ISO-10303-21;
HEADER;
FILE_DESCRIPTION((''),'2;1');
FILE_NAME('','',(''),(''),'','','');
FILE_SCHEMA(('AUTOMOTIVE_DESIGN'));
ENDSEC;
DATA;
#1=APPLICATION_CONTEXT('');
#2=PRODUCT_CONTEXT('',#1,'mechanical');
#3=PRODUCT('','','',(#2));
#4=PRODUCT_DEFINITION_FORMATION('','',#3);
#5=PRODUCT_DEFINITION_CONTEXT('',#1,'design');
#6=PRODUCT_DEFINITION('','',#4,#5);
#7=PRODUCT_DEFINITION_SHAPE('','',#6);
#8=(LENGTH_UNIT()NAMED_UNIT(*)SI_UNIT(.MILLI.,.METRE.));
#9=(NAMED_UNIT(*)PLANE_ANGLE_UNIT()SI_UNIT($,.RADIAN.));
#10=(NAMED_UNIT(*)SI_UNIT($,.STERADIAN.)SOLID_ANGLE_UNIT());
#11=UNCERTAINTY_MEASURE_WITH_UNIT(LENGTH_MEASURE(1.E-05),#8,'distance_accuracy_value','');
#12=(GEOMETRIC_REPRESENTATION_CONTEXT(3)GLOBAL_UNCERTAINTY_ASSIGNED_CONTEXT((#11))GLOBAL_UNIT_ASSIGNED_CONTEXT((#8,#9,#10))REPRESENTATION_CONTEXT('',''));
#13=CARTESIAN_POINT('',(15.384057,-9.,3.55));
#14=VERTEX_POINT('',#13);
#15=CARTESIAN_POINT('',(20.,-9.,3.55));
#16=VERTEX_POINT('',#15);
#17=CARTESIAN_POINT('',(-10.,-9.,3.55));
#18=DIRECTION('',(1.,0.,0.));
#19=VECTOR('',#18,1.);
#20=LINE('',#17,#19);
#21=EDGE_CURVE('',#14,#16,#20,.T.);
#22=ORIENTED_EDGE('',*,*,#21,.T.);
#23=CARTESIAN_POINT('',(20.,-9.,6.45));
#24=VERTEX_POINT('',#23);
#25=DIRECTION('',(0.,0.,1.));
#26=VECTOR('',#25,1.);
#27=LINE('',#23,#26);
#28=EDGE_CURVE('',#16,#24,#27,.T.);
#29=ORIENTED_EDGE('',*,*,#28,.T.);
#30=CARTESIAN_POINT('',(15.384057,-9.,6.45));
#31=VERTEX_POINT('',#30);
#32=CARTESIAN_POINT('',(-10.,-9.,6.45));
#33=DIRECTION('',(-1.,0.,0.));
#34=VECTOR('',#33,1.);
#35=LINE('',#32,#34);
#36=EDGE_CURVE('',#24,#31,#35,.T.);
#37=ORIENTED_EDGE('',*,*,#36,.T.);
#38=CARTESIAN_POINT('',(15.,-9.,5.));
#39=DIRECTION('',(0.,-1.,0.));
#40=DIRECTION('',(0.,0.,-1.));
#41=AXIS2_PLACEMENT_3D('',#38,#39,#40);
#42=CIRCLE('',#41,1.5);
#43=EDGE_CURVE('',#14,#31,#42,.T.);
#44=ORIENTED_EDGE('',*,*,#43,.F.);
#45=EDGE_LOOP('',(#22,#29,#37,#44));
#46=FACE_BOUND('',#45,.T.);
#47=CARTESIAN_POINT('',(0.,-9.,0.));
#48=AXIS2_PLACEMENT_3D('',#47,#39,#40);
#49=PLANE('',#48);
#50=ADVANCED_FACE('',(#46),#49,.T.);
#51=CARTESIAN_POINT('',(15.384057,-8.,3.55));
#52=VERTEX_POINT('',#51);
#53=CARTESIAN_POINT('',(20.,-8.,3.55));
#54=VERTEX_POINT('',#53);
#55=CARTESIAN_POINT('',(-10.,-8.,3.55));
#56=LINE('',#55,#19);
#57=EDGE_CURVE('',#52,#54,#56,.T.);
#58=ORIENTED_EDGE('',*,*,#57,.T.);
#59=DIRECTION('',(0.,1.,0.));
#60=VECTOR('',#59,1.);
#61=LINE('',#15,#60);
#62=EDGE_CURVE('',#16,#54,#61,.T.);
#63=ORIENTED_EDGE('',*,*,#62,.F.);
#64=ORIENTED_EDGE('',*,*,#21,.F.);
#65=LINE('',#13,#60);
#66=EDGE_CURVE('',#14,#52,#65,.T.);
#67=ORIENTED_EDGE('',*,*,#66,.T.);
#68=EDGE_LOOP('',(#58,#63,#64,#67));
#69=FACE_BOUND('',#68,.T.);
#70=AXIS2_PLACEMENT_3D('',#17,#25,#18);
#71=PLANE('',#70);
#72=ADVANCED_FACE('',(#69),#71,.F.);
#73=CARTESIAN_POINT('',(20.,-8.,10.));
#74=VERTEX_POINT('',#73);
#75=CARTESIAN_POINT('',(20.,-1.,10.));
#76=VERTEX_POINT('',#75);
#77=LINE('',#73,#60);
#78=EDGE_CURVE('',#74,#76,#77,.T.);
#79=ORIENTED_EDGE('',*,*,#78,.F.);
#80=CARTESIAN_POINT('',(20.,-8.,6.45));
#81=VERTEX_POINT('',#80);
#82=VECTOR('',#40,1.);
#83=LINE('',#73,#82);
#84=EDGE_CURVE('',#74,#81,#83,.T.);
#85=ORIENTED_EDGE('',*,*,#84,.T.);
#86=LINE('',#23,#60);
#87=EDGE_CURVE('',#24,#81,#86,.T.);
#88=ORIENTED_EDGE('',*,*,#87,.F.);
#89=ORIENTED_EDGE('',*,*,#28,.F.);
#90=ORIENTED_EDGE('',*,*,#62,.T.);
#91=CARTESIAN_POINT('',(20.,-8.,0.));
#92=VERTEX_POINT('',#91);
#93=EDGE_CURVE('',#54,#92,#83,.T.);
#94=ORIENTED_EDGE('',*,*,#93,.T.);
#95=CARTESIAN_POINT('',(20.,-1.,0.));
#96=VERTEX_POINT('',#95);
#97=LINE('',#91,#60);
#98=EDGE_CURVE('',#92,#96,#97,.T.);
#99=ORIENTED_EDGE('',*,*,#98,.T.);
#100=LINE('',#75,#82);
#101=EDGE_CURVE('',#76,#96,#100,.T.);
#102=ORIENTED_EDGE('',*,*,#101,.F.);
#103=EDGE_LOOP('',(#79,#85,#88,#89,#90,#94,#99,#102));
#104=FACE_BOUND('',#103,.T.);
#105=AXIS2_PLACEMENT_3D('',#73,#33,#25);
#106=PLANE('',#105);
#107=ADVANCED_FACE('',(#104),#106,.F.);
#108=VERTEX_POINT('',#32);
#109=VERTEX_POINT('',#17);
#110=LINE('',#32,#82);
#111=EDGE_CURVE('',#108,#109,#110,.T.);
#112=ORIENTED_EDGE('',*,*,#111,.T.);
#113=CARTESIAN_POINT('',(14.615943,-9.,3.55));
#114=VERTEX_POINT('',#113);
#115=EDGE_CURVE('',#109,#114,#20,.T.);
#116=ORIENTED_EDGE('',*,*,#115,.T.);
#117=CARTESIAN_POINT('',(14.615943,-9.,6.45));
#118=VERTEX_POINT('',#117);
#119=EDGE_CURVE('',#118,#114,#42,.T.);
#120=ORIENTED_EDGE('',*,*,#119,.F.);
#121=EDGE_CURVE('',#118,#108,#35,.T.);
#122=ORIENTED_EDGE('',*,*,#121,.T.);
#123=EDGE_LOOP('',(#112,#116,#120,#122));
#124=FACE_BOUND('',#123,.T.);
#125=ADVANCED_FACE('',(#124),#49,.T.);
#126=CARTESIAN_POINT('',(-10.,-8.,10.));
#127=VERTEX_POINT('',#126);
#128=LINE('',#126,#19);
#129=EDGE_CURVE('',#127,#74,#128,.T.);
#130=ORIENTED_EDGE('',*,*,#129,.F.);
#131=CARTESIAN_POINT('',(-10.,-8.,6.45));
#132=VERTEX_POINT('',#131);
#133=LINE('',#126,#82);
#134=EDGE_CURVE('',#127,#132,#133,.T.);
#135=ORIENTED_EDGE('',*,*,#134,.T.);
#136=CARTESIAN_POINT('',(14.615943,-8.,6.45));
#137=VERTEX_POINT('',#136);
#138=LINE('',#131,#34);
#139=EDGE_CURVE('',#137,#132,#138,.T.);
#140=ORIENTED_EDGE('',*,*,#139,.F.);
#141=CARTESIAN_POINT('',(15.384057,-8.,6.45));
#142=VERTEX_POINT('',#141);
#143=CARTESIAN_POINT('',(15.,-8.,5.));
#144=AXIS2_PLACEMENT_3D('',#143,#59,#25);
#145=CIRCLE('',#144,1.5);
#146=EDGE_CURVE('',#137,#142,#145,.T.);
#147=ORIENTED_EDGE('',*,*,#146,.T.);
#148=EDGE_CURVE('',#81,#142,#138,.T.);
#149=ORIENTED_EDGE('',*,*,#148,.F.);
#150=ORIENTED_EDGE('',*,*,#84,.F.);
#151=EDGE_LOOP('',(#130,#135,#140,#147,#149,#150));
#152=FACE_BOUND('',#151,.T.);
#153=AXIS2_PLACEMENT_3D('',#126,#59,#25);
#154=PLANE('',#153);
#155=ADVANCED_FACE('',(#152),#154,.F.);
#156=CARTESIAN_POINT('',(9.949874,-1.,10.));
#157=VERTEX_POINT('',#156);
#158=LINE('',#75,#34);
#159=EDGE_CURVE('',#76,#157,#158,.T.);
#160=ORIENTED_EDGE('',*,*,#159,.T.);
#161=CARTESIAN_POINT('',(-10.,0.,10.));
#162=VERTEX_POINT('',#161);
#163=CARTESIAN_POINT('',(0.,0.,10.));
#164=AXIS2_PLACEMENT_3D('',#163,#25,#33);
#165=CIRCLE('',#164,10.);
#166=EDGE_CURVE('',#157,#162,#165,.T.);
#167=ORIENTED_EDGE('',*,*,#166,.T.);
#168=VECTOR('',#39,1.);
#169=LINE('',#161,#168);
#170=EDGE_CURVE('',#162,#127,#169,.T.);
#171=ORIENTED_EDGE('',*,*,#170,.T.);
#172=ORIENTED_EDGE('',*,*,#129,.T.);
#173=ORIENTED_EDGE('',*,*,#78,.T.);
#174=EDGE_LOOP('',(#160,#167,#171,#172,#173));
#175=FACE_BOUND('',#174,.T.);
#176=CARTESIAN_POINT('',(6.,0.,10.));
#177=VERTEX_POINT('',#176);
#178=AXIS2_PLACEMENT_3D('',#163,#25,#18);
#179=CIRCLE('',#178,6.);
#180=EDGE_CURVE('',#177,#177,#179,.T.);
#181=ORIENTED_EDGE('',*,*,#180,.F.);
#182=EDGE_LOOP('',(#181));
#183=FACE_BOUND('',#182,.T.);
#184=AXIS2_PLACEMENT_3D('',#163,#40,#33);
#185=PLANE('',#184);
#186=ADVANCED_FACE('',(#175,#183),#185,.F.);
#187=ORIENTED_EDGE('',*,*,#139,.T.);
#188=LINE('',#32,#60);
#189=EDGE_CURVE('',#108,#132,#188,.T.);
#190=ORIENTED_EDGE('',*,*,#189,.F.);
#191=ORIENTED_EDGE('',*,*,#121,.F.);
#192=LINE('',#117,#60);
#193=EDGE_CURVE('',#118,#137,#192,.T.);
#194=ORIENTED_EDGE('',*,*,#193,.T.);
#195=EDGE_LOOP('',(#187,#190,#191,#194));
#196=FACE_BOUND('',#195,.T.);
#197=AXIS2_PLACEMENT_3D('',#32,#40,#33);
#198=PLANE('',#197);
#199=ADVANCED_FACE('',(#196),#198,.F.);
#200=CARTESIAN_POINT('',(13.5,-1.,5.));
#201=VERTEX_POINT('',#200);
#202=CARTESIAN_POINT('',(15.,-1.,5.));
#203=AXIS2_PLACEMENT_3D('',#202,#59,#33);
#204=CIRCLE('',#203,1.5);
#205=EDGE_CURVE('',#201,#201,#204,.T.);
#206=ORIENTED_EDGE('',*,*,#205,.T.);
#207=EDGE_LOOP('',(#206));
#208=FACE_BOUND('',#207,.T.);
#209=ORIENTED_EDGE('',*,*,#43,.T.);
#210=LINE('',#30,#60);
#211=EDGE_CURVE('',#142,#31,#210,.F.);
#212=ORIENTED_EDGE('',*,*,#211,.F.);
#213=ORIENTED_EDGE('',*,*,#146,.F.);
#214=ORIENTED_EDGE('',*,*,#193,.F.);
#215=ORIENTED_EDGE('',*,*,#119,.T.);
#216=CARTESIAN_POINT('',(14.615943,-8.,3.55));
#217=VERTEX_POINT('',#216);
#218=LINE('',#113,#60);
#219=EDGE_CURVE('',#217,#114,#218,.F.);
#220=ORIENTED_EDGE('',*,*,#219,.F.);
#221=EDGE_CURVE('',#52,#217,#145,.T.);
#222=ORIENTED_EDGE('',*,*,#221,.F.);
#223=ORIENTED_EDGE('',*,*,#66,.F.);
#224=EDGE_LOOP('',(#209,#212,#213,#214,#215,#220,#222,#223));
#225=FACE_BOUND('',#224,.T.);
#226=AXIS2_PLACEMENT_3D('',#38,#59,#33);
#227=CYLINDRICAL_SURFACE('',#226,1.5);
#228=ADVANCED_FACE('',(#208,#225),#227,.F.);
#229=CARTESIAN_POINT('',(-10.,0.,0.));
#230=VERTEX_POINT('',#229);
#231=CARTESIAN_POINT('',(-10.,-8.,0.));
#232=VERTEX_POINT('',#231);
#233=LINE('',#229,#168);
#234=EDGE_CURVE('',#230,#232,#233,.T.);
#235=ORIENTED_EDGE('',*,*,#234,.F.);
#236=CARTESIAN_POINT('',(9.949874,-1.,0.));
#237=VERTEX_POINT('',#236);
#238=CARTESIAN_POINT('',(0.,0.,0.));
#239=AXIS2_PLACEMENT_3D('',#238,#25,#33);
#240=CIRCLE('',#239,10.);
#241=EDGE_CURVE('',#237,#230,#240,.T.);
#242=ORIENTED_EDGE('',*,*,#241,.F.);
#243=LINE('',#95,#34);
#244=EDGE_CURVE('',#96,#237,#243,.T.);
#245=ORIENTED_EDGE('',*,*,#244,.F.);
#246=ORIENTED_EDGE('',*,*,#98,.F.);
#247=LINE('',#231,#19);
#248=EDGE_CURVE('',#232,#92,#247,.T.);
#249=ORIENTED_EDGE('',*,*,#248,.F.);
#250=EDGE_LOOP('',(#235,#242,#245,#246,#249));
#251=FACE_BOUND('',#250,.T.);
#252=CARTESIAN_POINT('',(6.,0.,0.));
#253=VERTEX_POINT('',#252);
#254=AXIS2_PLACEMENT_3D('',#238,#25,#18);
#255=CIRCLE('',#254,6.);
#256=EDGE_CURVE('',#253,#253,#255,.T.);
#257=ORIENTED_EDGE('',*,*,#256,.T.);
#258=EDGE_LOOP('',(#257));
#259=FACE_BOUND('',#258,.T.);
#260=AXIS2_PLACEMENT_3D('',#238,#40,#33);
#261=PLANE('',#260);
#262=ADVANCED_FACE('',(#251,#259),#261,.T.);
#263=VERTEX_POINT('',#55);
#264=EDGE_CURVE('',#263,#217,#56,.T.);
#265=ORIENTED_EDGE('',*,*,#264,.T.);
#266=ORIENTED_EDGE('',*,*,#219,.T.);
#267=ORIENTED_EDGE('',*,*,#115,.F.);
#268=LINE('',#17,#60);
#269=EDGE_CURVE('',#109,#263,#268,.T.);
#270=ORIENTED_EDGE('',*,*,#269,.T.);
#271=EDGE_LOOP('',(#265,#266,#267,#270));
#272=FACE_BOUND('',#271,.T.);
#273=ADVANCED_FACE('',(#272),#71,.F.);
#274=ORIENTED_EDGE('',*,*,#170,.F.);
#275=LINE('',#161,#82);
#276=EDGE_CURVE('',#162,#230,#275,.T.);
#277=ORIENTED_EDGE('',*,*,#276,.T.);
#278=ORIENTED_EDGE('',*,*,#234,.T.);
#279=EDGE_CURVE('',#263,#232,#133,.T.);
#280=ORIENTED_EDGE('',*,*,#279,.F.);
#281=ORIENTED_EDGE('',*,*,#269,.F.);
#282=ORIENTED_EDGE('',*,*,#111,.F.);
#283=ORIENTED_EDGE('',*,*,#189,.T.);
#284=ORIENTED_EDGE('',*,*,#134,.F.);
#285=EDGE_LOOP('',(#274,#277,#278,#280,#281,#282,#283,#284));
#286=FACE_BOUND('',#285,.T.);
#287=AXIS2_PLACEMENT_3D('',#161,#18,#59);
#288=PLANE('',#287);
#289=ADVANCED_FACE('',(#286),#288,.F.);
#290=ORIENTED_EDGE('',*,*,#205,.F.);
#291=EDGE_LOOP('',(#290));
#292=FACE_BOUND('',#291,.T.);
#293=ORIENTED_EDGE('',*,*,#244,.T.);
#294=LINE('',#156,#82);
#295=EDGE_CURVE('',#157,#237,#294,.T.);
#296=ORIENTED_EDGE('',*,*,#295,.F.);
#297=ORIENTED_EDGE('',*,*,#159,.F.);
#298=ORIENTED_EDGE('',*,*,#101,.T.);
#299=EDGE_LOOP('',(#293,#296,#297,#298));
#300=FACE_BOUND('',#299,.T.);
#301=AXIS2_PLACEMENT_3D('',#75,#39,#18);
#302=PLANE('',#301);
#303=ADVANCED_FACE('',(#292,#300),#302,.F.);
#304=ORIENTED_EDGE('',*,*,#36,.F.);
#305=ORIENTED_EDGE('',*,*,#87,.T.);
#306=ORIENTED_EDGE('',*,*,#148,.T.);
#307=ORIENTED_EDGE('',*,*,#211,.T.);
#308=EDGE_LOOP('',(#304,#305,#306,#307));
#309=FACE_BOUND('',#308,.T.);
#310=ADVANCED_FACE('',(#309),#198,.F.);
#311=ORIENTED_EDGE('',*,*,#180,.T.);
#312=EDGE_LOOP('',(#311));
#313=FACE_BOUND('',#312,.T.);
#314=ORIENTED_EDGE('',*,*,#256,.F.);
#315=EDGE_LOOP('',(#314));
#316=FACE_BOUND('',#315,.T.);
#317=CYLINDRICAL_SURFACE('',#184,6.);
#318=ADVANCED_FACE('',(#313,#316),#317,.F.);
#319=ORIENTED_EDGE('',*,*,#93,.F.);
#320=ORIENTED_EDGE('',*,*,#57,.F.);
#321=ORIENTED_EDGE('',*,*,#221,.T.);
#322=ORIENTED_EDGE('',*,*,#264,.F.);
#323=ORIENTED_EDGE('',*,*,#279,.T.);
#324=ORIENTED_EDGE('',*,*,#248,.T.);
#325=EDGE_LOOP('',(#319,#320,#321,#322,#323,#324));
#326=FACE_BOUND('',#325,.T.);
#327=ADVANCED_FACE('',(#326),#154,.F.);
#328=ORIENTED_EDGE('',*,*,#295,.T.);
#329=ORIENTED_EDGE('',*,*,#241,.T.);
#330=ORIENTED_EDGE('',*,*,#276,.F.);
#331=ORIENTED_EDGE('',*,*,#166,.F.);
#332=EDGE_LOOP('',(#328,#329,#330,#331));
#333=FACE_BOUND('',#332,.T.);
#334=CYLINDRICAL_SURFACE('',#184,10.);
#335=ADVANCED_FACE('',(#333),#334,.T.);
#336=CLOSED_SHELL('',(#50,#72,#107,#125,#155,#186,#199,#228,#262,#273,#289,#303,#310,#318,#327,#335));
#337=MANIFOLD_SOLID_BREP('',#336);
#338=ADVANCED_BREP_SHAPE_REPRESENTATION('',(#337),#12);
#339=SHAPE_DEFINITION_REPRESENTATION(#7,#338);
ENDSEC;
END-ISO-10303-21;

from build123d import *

# Parameters (mm, degrees)
SKETCH1_R                       = 6
MAIN_DEPTH                      = 10
SKETCH3_W                       = 30
SKETCH3_H                       = 2.9
MAKERBEAMRECTANGULARGUIDE_DEPTH = 1
SKETCH4_R                       = 1.5
MAKERBEAMFIXHOLE_DEPTH          = 9


with BuildPart() as part:
    # Sketch1 → Main (new body)
    with BuildSketch(Plane.XY):
        with BuildLine():
            Line((-10, 0), (-10, -8))
            Line((-10, -8), (20, -8))
            Line((20, -8), (20, -1))
            Line((20, -1), (9.949874371, -1))
            ThreePointArc((9.949874371, -1), (0.500627751, 9.987460731), (-10, 0))
        make_face()
        Circle(SKETCH1_R, mode=Mode.SUBTRACT)
    extrude(amount=MAIN_DEPTH)

    # Sketch3 → MakerBeamRectangularGuide (add)
    with BuildSketch(Plane(origin=(0, -8, 0), x_dir=(-1, 0, 0), z_dir=(0, -1, 0))):
        with Locations((-5, -5)):
            Rectangle(SKETCH3_W, SKETCH3_H)
    extrude(amount=MAKERBEAMRECTANGULARGUIDE_DEPTH)

    # Sketch4 → MakerBeamFixHole (cut, through all)
    with BuildSketch(Plane(origin=(0, -1, 0), x_dir=(1, 0, 0), z_dir=(0, 1, 0))):
        with Locations((15, -5)):
            Circle(SKETCH4_R)
    extrude(amount=-MAKERBEAMFIXHOLE_DEPTH, mode=Mode.SUBTRACT)


solid = part.part
